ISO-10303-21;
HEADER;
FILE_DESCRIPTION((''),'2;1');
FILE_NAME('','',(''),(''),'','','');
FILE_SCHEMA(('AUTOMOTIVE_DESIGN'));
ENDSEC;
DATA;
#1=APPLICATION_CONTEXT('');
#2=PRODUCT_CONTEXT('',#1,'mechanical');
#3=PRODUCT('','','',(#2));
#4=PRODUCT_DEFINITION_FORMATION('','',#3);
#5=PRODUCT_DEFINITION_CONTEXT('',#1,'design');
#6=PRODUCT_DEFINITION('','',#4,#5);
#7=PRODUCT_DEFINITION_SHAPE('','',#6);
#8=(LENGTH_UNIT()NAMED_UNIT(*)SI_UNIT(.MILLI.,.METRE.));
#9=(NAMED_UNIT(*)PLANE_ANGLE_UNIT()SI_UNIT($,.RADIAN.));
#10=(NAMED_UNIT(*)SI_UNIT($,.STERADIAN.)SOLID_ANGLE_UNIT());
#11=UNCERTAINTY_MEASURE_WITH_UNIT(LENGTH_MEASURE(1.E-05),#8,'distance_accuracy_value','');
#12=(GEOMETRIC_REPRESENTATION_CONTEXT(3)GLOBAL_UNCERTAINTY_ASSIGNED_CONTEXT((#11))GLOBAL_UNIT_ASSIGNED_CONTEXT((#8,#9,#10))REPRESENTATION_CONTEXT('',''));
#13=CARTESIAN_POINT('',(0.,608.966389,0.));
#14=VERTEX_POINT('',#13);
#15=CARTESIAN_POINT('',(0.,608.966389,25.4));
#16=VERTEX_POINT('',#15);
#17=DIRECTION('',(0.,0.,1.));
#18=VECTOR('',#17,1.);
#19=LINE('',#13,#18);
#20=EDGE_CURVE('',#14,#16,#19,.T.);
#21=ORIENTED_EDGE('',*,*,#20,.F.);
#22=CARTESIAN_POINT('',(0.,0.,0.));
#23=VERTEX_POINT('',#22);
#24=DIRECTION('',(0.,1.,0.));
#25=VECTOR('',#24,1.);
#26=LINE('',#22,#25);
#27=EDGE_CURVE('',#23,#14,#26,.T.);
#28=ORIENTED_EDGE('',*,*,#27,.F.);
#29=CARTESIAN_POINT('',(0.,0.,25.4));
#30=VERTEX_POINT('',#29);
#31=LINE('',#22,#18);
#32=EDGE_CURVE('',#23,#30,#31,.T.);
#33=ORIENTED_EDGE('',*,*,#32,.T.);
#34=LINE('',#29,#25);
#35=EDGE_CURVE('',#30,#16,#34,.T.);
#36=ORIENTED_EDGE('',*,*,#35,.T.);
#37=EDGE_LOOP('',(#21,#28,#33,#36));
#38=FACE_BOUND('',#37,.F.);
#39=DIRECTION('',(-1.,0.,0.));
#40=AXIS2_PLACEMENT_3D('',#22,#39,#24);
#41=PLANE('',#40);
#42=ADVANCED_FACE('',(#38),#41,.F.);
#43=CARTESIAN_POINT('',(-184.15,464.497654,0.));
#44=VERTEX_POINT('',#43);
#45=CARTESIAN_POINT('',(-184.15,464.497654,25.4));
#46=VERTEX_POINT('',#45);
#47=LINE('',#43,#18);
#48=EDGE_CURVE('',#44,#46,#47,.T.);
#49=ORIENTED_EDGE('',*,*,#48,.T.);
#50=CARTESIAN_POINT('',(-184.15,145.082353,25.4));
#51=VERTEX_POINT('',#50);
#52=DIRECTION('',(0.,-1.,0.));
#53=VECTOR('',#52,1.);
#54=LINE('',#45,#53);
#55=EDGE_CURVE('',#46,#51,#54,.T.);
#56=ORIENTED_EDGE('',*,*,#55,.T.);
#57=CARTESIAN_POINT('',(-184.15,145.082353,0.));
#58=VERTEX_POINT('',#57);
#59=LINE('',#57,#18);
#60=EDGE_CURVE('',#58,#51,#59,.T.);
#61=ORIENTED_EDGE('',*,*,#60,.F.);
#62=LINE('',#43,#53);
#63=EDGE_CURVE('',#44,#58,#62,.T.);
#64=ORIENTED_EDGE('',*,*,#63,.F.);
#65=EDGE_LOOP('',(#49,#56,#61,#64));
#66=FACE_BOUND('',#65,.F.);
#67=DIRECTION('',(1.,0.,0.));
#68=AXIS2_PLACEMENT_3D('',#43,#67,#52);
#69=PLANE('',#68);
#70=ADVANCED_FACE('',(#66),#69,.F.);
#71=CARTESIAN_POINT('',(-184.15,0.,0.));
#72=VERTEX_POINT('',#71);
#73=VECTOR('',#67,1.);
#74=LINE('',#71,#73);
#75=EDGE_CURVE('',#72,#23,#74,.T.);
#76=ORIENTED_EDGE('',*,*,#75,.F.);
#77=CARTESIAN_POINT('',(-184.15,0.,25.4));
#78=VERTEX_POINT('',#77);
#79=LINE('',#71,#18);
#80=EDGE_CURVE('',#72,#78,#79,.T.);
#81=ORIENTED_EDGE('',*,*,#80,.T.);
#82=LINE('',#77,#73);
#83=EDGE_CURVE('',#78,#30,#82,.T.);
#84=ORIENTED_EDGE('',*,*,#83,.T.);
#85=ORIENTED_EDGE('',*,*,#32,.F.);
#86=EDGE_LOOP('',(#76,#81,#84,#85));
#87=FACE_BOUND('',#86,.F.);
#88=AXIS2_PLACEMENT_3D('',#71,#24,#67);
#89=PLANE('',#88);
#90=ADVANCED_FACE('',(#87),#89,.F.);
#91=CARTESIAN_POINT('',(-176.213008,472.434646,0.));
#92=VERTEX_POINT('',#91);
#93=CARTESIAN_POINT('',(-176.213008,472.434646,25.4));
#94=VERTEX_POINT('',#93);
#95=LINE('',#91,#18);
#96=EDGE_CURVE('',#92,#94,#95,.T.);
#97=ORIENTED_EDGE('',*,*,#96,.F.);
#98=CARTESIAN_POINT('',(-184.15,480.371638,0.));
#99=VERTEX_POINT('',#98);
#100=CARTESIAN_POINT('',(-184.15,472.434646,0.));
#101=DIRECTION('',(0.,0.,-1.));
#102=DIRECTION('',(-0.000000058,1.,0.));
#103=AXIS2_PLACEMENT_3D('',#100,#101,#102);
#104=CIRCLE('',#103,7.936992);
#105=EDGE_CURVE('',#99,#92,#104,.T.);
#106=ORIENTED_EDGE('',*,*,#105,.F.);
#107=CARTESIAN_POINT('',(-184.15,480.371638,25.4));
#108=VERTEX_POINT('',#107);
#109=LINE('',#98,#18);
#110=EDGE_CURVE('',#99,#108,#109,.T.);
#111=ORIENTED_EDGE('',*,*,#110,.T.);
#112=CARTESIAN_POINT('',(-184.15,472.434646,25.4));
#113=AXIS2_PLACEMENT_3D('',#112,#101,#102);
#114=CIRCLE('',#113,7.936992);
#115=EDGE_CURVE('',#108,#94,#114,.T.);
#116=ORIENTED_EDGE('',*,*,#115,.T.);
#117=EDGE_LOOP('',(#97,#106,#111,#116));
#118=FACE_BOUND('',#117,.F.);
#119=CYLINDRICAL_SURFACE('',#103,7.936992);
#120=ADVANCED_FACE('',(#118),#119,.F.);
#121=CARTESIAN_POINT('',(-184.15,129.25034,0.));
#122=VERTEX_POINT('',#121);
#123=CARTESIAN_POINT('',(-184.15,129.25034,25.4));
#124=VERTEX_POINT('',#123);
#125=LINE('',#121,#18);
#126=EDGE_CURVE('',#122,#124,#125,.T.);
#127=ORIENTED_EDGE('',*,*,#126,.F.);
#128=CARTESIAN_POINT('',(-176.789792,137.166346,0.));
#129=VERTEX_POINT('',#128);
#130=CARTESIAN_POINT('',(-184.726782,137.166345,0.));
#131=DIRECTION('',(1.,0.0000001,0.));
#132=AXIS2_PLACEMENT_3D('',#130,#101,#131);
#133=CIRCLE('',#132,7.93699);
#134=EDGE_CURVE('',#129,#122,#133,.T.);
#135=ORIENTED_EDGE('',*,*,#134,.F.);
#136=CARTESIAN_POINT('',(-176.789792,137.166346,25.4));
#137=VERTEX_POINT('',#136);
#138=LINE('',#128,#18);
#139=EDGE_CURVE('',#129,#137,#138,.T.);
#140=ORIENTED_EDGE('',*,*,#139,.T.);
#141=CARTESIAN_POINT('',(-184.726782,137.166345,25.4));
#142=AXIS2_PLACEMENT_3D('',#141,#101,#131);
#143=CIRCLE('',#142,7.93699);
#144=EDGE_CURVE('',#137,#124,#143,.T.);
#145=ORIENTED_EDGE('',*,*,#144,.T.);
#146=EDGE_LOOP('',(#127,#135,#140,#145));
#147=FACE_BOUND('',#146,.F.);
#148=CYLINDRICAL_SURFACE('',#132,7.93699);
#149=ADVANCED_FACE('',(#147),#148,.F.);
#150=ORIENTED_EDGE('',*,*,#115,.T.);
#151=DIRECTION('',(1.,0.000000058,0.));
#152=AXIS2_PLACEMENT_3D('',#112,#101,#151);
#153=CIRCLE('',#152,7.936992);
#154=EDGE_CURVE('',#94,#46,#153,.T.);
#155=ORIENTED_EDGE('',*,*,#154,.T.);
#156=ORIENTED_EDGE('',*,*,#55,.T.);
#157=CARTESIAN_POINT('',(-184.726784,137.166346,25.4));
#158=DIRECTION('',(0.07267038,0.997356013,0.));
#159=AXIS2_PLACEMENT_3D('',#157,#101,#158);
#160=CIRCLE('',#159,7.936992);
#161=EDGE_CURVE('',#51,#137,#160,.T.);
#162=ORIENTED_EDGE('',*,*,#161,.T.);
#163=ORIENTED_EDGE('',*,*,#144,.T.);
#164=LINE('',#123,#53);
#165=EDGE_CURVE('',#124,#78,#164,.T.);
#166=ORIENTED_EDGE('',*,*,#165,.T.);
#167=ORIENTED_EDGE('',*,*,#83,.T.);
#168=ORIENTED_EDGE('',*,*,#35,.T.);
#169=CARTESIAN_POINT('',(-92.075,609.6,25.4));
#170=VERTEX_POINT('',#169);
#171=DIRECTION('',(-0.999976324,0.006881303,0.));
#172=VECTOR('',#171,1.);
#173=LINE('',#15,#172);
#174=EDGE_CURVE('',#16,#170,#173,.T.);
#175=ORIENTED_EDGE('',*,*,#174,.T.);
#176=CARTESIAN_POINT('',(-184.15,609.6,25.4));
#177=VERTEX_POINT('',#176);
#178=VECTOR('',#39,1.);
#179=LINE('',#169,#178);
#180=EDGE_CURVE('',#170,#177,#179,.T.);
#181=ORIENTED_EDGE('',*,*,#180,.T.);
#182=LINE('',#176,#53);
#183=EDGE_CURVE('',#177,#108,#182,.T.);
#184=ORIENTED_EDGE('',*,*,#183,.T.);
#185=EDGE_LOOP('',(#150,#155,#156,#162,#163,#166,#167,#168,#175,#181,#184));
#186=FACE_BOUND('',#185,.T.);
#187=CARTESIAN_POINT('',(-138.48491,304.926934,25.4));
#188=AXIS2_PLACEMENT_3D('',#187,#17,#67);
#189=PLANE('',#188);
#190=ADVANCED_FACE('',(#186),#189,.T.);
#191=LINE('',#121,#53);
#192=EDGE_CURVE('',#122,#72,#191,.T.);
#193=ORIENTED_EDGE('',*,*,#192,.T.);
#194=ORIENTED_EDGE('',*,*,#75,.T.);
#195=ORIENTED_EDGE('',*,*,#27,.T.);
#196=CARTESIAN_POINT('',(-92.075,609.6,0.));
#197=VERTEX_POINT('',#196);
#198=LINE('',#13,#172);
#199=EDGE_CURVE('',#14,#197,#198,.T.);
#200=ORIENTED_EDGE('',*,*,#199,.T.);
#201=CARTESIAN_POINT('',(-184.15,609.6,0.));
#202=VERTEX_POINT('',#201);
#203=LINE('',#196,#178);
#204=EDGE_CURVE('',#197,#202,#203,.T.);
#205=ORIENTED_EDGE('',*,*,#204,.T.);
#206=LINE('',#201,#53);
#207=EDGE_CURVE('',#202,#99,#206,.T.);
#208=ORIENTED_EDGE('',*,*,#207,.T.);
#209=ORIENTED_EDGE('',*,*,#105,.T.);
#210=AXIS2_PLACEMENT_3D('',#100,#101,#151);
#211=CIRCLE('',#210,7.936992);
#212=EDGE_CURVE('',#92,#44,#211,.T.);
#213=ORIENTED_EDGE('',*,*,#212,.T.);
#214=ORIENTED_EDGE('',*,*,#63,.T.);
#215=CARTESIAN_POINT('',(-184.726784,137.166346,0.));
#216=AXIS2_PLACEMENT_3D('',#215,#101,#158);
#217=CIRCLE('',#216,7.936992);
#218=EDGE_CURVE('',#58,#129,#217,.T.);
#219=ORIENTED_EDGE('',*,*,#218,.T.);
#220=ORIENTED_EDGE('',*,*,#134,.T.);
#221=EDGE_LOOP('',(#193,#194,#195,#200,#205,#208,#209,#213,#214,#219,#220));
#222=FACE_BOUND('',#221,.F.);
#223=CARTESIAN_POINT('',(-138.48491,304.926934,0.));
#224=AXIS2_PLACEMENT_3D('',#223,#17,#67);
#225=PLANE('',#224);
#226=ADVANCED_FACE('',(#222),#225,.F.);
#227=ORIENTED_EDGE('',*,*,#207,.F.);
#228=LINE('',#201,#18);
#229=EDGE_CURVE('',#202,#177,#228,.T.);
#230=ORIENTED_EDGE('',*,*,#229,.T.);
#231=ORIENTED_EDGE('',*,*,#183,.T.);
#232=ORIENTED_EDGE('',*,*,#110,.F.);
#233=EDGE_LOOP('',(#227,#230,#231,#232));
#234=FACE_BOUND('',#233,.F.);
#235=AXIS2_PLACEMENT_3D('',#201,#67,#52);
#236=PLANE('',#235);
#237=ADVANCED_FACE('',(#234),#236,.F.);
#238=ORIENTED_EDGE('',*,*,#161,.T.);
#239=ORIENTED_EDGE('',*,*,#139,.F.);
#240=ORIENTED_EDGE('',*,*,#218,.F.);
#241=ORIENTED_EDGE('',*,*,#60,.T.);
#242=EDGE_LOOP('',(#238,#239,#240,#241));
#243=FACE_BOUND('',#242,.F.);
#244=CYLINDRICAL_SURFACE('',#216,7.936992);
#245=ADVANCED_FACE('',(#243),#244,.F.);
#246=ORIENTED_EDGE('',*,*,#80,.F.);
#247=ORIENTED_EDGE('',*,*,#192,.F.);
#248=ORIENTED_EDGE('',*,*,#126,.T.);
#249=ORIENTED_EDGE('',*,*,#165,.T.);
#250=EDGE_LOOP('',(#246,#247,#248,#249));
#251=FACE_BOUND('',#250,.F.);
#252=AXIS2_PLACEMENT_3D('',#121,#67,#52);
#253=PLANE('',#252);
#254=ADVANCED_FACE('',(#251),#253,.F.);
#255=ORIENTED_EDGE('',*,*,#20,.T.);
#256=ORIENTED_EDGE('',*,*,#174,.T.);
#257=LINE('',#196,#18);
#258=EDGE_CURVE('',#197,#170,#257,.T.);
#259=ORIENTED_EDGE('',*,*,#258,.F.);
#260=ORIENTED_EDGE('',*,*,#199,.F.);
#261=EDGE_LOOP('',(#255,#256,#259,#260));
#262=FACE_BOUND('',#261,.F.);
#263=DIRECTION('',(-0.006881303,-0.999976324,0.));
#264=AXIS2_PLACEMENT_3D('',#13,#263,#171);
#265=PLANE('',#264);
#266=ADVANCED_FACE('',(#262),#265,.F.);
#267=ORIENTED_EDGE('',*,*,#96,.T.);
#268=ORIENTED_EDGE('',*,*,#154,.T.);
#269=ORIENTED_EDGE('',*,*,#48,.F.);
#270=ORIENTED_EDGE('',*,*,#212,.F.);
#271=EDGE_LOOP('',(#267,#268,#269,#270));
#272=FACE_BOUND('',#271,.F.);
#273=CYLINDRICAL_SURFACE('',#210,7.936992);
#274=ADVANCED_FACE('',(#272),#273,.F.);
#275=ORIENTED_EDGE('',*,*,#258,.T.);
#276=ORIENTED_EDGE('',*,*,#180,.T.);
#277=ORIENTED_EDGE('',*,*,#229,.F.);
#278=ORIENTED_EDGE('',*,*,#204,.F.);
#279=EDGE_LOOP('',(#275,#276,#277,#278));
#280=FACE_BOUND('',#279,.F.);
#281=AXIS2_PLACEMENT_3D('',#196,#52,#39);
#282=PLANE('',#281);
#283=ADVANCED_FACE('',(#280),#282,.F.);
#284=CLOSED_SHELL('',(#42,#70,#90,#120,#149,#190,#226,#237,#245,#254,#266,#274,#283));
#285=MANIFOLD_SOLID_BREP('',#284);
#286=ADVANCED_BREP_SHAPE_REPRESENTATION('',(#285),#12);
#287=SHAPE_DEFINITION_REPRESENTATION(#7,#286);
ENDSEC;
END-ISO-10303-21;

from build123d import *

# Parameters (mm, degrees)
F1_DEPTH = 25.4


with BuildPart() as f1:
    # F0 (on Top) → F1 (new body)
    with BuildSketch(Plane.XY):
        with BuildLine():
            Line((-184.15, 0), (-92.075, 0))
            Line((-92.075, 0), (-92.075, 609.6))
            Line((-92.075, 609.6), (-184.15, 609.6))
            Line((-184.15, 609.6), (-184.15, 563.878215))
            Line((-184.15, 563.878215), (-184.15, 518.156431))
            Line((-184.15, 518.156431), (-184.15, 480.371638))
            ThreePointArc((-184.15, 480.371638), (-178.537699, 478.046947), (-176.213008, 472.434646))
            ThreePointArc((-176.213008, 472.434646), (-178.537699, 466.822345), (-184.15, 464.497654))
            Line((-184.15, 464.497654), (-184.15, 457.2))
            Line((-184.15, 457.2), (-184.15, 304.8))
            Line((-184.15, 304.8), (-184.15, 152.4))
            Line((-184.15, 152.4), (-184.15, 145.082353))
            ThreePointArc((-184.15, 145.082353), (-178.914135, 142.570877), (-176.789792, 137.166346))
            ThreePointArc((-176.789792, 137.166346), (-178.914135, 131.761815), (-184.15, 129.25034))
            Line((-184.15, 129.25034), (-184.15, 0))
        make_face()
        Polygon((-92.075, 0), (0, 0), (0, 152.241597), (0, 304.483195), (0, 456.724792), (0, 518.156431), (0, 608.966389), (-92.075, 609.6), align=None)
    extrude(amount=F1_DEPTH)


solid = f1.part
